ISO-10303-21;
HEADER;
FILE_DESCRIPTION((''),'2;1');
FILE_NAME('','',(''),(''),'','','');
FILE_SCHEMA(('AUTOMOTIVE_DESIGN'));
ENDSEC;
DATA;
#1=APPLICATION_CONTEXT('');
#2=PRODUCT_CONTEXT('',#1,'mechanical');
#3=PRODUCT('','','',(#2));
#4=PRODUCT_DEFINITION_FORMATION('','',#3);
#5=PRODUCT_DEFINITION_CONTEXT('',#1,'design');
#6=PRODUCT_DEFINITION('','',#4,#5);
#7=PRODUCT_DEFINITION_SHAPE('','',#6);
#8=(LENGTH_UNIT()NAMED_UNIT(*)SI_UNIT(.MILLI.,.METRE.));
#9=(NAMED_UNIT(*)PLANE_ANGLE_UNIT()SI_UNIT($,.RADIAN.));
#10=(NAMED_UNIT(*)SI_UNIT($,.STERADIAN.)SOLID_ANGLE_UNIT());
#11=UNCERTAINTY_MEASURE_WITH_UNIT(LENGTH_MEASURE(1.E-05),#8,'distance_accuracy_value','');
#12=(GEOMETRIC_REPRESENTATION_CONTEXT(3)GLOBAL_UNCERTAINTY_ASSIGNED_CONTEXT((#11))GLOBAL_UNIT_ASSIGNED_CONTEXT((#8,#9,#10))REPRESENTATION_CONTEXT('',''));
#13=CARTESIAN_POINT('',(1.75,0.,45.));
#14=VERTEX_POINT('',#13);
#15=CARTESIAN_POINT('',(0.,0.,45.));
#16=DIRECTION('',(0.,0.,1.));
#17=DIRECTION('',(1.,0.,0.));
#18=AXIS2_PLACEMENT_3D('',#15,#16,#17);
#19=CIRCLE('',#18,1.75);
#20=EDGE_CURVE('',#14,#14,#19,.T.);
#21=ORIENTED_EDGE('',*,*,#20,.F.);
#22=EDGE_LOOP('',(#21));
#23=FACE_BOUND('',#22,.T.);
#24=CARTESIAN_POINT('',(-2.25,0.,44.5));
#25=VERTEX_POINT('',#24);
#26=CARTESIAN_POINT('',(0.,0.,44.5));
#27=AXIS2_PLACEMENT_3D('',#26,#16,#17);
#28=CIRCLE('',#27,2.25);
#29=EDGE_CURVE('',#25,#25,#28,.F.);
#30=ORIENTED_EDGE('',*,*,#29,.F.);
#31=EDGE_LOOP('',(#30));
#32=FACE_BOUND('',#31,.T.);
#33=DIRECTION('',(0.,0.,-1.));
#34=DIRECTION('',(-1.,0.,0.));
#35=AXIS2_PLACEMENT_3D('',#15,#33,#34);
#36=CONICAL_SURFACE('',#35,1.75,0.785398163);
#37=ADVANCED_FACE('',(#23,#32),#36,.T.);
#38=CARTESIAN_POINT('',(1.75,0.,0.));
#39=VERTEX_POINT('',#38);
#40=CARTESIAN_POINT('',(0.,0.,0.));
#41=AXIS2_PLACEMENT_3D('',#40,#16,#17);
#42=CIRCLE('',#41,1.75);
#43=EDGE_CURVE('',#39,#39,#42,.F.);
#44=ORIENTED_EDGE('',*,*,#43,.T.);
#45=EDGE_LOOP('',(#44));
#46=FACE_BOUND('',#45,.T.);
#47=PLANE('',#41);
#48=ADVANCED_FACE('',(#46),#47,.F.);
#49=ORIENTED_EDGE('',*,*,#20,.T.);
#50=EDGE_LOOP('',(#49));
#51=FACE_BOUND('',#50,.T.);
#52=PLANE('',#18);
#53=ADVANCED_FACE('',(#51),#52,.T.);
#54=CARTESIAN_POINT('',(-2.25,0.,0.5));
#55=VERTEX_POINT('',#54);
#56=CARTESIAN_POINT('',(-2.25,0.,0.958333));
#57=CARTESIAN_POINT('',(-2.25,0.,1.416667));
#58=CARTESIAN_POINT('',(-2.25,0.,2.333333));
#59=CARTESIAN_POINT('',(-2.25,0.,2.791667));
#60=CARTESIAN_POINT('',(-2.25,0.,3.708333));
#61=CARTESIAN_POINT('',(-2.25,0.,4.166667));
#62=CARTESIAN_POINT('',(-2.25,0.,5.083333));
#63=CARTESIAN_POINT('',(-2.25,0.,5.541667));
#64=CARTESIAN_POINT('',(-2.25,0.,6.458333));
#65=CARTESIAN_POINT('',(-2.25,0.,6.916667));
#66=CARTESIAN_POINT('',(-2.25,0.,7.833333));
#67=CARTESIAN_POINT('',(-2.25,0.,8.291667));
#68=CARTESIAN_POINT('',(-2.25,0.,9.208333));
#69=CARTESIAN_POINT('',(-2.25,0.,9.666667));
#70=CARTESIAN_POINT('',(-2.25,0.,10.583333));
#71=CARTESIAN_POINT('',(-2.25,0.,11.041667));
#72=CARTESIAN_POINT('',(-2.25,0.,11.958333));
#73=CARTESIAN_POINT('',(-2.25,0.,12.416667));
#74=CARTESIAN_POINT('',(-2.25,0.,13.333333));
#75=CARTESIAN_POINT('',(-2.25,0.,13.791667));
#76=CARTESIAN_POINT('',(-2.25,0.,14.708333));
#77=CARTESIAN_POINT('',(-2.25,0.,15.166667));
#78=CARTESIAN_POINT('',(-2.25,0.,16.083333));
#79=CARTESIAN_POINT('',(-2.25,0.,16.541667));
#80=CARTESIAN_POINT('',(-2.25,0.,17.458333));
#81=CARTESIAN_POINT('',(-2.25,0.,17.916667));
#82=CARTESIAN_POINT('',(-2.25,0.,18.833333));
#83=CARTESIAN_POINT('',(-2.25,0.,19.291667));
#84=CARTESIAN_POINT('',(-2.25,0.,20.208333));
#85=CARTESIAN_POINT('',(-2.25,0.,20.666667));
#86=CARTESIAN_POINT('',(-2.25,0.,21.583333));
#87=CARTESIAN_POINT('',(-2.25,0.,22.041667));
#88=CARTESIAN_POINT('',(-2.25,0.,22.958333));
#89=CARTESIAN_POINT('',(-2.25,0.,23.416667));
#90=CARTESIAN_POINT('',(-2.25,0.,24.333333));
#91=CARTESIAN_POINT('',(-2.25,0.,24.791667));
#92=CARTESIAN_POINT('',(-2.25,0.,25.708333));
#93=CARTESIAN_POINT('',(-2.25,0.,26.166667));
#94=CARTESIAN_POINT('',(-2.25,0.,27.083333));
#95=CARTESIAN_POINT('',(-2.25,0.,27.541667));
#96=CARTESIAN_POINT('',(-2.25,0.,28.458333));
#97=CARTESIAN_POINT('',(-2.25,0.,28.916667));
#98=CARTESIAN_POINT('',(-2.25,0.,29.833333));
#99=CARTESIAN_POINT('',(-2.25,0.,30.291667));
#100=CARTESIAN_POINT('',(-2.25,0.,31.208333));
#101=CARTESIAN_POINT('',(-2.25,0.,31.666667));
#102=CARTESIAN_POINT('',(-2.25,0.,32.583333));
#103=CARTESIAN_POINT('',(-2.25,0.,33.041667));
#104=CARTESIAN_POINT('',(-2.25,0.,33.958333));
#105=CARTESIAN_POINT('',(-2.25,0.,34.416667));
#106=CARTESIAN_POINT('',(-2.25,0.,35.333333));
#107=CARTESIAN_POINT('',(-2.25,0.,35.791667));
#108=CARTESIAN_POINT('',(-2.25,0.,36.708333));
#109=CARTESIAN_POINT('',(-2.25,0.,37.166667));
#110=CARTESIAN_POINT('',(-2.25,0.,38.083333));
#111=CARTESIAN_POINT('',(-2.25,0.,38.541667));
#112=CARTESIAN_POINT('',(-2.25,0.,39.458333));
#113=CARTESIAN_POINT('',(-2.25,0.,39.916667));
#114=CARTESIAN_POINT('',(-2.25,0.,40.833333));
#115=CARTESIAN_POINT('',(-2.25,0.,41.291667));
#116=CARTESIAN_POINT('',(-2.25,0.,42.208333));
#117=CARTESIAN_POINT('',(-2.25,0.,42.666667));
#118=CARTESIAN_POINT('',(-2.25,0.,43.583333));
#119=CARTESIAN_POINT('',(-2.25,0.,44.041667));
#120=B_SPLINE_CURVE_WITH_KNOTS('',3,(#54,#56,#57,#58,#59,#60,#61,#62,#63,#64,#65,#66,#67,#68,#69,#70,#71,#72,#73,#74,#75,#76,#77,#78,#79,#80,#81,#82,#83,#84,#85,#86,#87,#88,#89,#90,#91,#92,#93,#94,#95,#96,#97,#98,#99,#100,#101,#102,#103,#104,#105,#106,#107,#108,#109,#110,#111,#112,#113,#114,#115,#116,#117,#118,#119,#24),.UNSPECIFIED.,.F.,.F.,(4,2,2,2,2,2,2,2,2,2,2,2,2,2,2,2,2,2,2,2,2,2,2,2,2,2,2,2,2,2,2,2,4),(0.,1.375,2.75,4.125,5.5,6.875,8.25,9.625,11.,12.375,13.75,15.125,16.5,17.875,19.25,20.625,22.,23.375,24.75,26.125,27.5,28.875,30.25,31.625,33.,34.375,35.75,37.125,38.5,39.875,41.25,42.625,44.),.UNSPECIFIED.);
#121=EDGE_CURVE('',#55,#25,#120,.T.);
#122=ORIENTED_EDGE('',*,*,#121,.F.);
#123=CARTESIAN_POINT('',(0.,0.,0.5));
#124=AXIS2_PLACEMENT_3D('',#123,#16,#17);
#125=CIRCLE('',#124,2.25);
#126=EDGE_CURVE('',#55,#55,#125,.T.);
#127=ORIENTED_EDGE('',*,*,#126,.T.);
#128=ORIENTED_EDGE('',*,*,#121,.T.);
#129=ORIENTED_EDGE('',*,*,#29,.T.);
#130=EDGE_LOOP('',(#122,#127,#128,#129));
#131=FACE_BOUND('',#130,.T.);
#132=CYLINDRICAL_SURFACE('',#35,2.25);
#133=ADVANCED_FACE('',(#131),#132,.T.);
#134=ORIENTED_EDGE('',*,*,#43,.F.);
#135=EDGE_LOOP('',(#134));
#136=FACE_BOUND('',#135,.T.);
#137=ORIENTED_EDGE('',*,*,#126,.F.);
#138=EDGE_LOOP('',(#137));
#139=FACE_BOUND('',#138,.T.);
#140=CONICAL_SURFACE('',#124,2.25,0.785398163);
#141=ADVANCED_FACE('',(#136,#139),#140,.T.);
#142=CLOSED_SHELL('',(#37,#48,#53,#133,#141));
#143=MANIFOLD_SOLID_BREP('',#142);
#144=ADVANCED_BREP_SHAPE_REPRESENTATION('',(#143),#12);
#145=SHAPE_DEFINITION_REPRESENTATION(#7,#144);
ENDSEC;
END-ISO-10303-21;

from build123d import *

# Parameters (mm, degrees)
SCHIZZO1_R                   = 2.25
ESTRUSIONE_ESTRUSIONE1_DEPTH = 45
SMUSSO1_SIZE                 = 0.5


with BuildPart() as part:
    # Schizzo1 → Estrusione-Estrusione1 (new body)
    with BuildSketch(Plane.XY):
        with Locations(Location((0, 0, 0), (0, 0, 180))):
            Circle(SCHIZZO1_R)
    extrude(amount=ESTRUSIONE_ESTRUSIONE1_DEPTH)

    # Smusso1
    smusso1_edges = [part.edges().sort_by_distance(p)[0] for p in [
        (2.25, 0, 0),
        (2.25, 0, 45),
    ]]
    chamfer(smusso1_edges, length=SMUSSO1_SIZE)


solid = part.part
